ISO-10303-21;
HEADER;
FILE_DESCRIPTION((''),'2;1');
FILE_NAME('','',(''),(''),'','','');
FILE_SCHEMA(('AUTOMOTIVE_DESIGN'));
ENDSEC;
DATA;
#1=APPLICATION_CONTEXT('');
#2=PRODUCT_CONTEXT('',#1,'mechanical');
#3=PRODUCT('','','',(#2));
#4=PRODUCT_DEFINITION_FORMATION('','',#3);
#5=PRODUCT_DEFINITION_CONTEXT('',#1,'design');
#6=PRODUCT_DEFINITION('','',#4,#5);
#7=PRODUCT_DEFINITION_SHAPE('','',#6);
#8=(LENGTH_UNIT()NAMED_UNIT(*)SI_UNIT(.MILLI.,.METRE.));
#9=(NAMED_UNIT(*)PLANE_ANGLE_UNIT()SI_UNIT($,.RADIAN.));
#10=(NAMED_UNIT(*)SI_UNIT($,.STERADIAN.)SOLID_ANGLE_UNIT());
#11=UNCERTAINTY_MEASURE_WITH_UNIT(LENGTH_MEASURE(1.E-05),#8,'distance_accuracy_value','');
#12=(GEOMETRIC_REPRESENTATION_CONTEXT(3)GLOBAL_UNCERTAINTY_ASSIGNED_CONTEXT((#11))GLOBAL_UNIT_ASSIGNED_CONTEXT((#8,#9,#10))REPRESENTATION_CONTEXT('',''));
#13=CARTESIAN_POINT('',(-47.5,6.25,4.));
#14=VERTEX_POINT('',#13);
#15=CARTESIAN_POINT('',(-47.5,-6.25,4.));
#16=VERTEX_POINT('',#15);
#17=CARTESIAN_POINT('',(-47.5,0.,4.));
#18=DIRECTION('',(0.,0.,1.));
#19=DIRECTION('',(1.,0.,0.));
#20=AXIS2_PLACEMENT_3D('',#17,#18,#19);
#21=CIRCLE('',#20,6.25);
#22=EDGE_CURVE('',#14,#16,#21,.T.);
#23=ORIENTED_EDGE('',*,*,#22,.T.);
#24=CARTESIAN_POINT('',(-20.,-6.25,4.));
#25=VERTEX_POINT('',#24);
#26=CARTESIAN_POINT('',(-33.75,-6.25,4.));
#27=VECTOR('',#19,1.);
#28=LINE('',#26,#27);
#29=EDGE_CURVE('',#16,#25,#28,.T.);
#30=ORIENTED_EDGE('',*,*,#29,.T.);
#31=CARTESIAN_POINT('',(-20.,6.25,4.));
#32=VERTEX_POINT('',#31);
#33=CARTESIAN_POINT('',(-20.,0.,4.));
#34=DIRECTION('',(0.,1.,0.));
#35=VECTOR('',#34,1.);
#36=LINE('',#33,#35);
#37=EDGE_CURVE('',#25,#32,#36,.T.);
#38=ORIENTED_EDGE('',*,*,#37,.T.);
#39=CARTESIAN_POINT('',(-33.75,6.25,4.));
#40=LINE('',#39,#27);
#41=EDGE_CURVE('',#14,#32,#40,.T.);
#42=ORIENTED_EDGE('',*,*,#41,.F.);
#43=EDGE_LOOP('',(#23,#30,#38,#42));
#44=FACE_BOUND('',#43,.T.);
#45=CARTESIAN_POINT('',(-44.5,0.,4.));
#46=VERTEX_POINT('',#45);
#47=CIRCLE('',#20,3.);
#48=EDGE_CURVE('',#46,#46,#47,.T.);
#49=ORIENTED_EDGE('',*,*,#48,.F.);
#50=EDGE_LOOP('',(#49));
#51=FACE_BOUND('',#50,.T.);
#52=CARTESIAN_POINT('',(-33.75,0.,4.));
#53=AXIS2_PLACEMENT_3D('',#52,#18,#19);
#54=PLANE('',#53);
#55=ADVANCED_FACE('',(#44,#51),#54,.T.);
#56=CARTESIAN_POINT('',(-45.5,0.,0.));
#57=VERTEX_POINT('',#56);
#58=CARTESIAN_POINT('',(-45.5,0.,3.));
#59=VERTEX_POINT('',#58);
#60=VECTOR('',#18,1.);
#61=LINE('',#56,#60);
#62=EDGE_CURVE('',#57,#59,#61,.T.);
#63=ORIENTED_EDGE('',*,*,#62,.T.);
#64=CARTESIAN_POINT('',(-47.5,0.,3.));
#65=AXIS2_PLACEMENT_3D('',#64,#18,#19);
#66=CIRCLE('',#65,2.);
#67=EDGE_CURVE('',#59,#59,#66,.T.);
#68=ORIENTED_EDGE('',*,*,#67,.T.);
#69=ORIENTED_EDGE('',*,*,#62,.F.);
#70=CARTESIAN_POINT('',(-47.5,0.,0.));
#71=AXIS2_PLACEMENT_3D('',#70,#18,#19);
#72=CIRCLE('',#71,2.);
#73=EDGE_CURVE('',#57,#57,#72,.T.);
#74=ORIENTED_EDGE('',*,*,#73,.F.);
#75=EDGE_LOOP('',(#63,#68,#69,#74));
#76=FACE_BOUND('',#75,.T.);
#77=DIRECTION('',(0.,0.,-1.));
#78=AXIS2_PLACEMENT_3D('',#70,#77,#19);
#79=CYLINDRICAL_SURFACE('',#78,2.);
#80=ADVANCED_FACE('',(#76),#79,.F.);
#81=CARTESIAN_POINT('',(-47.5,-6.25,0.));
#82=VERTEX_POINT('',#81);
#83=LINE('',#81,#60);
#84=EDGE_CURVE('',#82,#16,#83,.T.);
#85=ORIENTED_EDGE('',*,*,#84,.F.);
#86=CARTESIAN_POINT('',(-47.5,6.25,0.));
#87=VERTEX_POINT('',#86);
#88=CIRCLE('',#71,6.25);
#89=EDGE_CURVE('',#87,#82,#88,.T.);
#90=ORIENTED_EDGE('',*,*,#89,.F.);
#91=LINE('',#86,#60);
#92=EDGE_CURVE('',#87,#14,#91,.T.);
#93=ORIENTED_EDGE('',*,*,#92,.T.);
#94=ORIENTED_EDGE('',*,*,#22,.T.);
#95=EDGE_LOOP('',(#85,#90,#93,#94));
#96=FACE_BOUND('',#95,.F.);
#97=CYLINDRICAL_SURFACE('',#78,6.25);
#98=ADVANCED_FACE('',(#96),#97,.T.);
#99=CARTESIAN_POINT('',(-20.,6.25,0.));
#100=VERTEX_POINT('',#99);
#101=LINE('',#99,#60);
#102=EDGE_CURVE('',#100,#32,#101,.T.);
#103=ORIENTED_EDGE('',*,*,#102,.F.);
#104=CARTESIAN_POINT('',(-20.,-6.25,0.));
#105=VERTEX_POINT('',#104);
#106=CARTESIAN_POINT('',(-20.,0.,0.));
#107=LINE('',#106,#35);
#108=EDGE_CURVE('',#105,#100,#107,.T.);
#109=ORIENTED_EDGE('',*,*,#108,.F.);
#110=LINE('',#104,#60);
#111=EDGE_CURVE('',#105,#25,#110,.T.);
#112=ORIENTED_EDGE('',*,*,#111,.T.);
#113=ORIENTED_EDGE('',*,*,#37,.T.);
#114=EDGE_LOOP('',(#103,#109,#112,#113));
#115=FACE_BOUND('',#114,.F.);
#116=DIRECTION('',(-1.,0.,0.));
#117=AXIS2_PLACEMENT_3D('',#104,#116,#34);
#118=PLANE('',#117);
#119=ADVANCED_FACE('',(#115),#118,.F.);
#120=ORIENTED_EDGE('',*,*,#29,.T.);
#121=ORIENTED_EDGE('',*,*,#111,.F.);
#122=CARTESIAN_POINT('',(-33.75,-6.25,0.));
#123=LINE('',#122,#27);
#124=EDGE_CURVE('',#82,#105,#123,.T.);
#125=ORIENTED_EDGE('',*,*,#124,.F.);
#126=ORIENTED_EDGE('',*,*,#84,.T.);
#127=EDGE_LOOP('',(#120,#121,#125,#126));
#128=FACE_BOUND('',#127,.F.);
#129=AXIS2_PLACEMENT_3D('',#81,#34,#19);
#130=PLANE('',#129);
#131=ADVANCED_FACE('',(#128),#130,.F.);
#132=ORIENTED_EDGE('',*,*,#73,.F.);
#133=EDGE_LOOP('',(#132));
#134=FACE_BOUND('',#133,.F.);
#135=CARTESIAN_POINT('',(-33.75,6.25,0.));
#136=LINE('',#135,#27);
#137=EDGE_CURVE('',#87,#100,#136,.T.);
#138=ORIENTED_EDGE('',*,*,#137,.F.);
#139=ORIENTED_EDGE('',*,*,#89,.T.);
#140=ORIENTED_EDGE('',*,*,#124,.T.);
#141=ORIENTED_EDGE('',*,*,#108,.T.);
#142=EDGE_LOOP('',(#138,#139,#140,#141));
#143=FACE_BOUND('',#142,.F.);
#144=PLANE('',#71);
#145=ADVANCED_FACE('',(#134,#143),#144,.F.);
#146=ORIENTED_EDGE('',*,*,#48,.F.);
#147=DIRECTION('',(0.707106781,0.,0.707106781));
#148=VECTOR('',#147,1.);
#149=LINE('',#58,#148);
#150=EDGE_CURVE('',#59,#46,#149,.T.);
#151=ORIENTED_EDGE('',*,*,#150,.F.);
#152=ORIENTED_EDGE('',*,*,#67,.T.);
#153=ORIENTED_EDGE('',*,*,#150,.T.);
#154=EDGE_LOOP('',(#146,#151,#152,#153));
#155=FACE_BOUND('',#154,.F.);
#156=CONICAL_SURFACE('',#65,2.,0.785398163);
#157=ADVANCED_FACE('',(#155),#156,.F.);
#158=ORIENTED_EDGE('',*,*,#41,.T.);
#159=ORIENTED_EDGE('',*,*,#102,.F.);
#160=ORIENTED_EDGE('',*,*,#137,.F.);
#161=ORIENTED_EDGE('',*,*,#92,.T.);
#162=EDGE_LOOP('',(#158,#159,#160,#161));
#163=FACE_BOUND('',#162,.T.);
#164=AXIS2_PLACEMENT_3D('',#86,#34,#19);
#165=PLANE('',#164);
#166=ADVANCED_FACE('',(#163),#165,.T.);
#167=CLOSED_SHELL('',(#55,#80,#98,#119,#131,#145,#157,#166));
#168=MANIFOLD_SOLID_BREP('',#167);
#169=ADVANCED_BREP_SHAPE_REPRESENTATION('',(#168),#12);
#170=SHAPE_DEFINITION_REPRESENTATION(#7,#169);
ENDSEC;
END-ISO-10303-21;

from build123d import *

# Parameters (mm, degrees)
CYLINDER004_R     = 2
CYLINDER004_DEPTH = 4
BOX006_W          = 27.5
BOX006_H          = 12.5
BOX006_DEPTH      = 4
TUBE001_R         = 6.25
TUBE001_DEPTH     = 4
CHAMFER_SIZE      = 1


with BuildPart() as toeinner001:
    # Cylinder004 → Cylinder004 (new body)
    with BuildSketch(Plane(origin=(-47.5, 0, 0), x_dir=(1, 0, 0), z_dir=(0, 0, 1))):
        Circle(CYLINDER004_R)
    extrude(amount=CYLINDER004_DEPTH)


with BuildPart() as arm001:
    # Box006 → Box006 (new body)
    with BuildSketch(Plane(origin=(-47.5, -6.25, 0), x_dir=(1, 0, 0), z_dir=(0, 0, 1))):
        with Locations((13.75, 6.25)):
            Rectangle(BOX006_W, BOX006_H)
    extrude(amount=BOX006_DEPTH)


with BuildPart() as chamfer_body:
    # Tube001 → Tube001 (new body)
    with BuildSketch(Plane(origin=(-47.5, 0, 0), x_dir=(1, 0, 0), z_dir=(0, 0, 1))):
        Circle(TUBE001_R)
    extrude(amount=TUBE001_DEPTH)

    # Fusion001: union Arm001
    add(arm001.part)

    # Cut001: cut ToeInner001
    add(toeinner001.part, mode=Mode.SUBTRACT)

    # Chamfer
    chamfer_edges = [chamfer_body.edges().sort_by_distance(p)[0] for p in [
        (-46.085786, 1.414214, 4),
        (-49.5, 0, 4),
        (-46.085786, -1.414214, 4),
    ]]
    chamfer(chamfer_edges, length=CHAMFER_SIZE)


solid = chamfer_body.part
